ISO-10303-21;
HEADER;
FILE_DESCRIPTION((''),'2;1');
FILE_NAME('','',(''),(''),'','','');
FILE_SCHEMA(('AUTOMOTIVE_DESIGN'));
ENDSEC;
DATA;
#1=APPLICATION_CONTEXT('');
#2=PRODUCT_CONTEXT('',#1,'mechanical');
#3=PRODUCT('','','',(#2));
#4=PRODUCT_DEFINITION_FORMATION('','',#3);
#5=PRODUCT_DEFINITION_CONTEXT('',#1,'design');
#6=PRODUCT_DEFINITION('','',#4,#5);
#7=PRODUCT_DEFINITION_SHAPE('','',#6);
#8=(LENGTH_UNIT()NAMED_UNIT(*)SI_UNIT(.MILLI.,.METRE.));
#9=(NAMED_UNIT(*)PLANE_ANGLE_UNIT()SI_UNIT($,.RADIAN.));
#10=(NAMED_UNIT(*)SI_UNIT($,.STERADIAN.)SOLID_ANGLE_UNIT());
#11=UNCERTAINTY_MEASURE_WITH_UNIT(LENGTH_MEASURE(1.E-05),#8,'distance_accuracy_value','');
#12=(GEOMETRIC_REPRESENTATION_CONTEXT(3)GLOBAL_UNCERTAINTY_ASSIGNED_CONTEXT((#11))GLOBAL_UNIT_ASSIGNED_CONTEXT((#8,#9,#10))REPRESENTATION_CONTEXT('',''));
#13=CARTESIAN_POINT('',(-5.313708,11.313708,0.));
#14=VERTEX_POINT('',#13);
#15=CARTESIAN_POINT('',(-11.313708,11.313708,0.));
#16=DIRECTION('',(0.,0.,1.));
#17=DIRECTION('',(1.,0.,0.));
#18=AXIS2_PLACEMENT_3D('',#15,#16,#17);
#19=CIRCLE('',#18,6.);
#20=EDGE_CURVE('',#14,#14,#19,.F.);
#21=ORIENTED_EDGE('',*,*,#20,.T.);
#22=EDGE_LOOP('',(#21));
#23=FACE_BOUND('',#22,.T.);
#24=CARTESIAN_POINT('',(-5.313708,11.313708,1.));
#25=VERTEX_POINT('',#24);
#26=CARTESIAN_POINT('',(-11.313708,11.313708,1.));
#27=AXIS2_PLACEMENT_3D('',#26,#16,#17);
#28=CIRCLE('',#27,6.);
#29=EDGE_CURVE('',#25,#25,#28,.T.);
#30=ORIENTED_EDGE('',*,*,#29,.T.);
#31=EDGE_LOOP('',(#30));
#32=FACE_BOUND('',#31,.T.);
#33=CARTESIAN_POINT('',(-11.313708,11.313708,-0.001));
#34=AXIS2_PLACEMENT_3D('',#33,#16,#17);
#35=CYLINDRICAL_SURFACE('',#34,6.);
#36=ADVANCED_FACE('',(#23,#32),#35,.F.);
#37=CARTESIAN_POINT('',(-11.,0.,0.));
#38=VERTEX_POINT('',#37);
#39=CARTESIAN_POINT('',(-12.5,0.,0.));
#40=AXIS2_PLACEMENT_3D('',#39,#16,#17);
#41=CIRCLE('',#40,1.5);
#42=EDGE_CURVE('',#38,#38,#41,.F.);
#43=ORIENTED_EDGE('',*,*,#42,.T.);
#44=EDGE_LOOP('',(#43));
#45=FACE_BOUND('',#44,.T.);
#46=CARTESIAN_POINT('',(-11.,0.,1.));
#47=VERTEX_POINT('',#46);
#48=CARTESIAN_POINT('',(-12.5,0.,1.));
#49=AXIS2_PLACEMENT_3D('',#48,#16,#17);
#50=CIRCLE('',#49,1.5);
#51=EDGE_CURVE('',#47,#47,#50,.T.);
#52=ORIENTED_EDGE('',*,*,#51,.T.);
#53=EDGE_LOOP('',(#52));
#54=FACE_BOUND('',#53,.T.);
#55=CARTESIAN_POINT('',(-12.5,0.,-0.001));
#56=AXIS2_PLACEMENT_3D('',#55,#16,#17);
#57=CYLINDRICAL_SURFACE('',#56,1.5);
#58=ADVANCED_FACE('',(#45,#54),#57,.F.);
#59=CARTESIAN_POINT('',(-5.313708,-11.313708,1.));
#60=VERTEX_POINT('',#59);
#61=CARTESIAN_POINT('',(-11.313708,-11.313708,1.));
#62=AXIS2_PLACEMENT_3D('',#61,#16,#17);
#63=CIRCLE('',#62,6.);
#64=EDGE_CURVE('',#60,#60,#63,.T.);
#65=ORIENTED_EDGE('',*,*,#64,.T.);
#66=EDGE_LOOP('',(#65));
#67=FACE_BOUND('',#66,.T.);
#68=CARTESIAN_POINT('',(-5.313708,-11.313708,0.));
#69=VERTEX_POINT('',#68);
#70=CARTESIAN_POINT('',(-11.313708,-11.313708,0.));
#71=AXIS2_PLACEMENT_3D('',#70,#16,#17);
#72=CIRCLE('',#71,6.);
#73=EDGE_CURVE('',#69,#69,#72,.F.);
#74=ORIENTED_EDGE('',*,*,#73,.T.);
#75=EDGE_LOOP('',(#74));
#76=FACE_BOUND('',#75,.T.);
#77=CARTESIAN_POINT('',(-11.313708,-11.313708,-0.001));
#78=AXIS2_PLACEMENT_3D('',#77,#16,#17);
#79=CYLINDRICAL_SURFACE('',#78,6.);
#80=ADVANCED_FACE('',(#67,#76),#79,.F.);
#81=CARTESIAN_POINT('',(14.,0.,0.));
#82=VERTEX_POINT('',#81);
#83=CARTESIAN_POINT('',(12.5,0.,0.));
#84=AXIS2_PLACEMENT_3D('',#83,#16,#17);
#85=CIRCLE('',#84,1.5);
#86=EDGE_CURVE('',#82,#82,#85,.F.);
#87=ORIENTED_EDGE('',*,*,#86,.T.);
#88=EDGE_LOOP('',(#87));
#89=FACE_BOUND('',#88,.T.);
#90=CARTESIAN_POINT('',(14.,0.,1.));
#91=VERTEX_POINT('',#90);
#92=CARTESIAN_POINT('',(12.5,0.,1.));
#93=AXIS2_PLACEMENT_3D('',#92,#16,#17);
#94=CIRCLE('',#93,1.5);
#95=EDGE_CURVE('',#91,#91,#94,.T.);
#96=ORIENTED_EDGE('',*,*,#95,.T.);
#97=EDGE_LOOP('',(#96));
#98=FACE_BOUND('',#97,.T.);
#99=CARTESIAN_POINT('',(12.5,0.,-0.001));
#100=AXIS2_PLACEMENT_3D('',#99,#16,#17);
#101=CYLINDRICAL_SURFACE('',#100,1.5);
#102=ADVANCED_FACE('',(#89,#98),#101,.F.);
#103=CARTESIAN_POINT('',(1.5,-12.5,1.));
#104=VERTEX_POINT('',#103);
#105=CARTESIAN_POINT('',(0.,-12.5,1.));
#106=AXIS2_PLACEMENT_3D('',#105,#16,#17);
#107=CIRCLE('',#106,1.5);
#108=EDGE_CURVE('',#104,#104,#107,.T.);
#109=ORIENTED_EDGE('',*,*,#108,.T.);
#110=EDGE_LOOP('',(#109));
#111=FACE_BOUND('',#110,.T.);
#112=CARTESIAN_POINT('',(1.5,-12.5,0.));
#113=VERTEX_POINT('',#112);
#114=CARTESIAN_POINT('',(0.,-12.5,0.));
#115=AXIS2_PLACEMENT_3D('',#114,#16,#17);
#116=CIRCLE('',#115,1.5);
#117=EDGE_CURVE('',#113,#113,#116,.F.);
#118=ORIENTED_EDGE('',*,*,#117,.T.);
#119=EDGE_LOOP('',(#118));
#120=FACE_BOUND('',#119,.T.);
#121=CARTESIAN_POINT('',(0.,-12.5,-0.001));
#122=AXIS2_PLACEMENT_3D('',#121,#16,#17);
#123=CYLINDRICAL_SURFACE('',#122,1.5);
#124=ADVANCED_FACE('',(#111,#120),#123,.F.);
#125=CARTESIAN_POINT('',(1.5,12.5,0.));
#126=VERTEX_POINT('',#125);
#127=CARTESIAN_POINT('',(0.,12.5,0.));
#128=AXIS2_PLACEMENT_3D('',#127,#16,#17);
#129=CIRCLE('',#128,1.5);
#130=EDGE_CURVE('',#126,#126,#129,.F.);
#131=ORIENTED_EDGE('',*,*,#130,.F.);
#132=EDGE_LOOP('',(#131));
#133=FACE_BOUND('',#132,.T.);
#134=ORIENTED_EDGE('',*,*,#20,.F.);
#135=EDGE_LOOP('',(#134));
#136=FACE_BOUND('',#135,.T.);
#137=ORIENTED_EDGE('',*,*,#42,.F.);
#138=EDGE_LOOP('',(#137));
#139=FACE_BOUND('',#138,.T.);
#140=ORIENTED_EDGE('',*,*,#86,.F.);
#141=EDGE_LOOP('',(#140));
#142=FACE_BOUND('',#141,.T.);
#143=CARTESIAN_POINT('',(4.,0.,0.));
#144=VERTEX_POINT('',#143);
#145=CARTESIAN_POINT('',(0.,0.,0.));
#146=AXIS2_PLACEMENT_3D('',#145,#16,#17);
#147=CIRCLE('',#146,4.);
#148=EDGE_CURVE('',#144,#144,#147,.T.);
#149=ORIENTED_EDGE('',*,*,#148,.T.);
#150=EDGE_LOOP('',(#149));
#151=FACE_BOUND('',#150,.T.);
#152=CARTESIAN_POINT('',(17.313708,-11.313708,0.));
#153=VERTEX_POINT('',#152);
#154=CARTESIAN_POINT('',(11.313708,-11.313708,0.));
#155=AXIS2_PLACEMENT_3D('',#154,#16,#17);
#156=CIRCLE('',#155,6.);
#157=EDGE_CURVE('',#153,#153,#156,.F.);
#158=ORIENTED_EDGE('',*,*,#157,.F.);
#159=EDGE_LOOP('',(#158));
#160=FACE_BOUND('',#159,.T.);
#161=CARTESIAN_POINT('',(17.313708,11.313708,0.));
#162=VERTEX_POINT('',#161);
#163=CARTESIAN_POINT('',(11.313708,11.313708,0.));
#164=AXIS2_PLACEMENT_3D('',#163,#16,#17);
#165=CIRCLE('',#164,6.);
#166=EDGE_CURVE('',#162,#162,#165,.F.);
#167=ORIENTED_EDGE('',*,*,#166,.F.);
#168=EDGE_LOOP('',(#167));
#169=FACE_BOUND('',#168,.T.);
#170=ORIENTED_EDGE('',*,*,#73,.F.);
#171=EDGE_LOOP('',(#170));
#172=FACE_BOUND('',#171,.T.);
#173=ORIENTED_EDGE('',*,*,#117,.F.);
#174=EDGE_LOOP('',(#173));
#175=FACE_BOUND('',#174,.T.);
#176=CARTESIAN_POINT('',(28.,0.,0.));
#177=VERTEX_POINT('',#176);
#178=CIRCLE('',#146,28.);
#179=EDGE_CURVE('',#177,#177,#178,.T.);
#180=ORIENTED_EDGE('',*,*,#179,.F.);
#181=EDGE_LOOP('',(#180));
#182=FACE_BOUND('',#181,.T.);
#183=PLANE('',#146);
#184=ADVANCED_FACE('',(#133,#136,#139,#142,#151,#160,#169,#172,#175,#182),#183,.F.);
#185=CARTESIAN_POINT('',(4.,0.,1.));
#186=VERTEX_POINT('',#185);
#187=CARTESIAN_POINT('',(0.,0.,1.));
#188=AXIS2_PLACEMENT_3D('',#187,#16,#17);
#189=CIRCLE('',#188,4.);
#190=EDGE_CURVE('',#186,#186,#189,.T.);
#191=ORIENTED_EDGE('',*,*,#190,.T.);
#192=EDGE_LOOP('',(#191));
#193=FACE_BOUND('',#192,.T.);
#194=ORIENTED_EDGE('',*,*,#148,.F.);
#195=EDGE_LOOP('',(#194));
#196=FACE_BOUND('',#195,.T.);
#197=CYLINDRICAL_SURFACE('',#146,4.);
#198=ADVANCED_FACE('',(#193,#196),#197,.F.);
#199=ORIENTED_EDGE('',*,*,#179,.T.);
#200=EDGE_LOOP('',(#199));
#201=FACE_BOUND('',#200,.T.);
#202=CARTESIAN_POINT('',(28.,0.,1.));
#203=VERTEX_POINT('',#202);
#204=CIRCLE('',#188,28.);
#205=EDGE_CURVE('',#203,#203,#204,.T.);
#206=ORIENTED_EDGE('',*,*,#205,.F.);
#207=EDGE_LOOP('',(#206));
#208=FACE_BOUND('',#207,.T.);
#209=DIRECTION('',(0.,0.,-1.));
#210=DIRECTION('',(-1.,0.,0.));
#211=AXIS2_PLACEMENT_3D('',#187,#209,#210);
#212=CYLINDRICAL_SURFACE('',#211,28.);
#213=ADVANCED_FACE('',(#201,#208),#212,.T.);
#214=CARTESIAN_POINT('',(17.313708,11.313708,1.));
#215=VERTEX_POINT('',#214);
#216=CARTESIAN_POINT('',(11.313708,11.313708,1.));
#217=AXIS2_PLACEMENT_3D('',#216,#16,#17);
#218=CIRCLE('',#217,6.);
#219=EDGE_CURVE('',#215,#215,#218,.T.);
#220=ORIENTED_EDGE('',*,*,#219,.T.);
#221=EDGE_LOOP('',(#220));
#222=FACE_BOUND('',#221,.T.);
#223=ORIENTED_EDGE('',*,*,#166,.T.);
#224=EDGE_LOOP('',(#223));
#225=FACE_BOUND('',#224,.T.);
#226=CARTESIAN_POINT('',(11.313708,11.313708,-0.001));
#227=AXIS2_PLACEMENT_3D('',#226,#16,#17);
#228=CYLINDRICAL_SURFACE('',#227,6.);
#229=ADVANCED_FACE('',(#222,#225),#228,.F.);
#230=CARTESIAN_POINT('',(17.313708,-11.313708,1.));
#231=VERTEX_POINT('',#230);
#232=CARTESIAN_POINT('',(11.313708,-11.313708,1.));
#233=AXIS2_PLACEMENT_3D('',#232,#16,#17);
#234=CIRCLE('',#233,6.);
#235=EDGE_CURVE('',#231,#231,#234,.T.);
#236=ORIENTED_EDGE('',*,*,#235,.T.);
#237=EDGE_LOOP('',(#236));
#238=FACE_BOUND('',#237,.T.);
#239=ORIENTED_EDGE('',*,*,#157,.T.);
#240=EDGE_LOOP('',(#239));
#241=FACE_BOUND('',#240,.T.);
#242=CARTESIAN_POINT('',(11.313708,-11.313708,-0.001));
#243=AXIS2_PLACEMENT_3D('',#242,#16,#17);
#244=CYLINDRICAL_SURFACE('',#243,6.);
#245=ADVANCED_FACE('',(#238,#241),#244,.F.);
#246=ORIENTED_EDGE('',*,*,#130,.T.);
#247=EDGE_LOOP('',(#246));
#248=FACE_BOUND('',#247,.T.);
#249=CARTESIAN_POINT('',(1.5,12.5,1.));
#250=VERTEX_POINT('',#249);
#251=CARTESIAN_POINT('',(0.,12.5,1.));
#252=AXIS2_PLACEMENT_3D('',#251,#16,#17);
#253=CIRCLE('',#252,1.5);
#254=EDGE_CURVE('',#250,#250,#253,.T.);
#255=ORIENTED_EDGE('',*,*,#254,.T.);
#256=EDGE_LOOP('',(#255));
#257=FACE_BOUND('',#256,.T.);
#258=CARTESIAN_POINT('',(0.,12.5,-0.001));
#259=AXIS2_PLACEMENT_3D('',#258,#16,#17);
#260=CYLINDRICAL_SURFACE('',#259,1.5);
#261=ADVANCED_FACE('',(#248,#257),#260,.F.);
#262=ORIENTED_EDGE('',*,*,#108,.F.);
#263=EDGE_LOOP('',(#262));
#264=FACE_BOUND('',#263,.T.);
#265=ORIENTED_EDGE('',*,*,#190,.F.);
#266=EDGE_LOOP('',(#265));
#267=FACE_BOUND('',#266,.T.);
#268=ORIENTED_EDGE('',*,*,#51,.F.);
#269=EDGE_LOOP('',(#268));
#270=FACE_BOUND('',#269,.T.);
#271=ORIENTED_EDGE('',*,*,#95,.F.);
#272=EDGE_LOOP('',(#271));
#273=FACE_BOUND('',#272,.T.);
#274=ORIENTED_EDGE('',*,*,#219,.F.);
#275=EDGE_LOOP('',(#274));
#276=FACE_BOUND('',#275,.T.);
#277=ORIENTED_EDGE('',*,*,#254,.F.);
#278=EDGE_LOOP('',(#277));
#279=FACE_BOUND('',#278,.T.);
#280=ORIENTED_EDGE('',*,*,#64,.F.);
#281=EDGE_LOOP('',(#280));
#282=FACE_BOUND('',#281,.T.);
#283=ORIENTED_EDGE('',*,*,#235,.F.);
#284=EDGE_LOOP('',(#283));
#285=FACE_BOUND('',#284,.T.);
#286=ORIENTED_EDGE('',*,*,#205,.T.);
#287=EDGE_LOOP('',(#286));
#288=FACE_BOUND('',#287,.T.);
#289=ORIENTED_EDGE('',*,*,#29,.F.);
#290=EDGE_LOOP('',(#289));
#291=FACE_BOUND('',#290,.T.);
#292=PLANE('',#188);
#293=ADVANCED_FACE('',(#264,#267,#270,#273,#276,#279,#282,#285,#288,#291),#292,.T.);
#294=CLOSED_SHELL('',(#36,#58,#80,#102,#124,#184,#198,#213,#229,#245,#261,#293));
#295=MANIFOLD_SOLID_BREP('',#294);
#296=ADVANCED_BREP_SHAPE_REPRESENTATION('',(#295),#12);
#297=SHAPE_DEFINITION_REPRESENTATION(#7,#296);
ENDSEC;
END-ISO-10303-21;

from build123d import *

# Parameters (mm, degrees)
SKETCH_1_R          = 28
EXTRUDE_1_DEPTH     = 1
SKETCH_2_R          = 4
CUT_EXTRUDE_1_DEPTH = 1
CUT_EXTRUDE_2_REACH = 41.611
SKETCH_3_R          = 1.5
CUT_EXTRUDE_3_REACH = 41.611
SKETCH_4_R          = 6


with BuildPart() as part:
    # 草图1 → 凸台-拉伸1 (new body)
    with BuildSketch(Plane.XY):
        Circle(SKETCH_1_R)
    extrude(amount=EXTRUDE_1_DEPTH)

    # 草图2 → 切除-拉伸1 (cut)
    with BuildSketch(Plane.XY.offset(1)):
        Circle(SKETCH_2_R)
    extrude(amount=-CUT_EXTRUDE_1_DEPTH, mode=Mode.SUBTRACT)

    # 草图3 → 切除-拉伸2 (cut, up to next)
    with BuildSketch(Plane.XY.offset(1), mode=Mode.PRIVATE) as cut_extrude_2_sk1:
        with Locations((0, 12.5)):
            Circle(SKETCH_3_R)
    cut_extrude_2_tool1 = extrude(cut_extrude_2_sk1.sketch, amount=-CUT_EXTRUDE_2_REACH, mode=Mode.PRIVATE) & part.part
    # 草图3 → 切除-拉伸2 (cut, up to next)
    with BuildSketch(Plane.XY.offset(1), mode=Mode.PRIVATE) as cut_extrude_2_sk2:
        with Locations((0, -12.5)):
            Circle(SKETCH_3_R)
    cut_extrude_2_tool2 = extrude(cut_extrude_2_sk2.sketch, amount=-CUT_EXTRUDE_2_REACH, mode=Mode.PRIVATE) & part.part
    # 草图3 → 切除-拉伸2 (cut, up to next)
    with BuildSketch(Plane.XY.offset(1), mode=Mode.PRIVATE) as cut_extrude_2_sk3:
        with Locations((12.5, 0)):
            Circle(SKETCH_3_R)
    cut_extrude_2_tool3 = extrude(cut_extrude_2_sk3.sketch, amount=-CUT_EXTRUDE_2_REACH, mode=Mode.PRIVATE) & part.part
    # 草图3 → 切除-拉伸2 (cut, up to next)
    with BuildSketch(Plane.XY.offset(1), mode=Mode.PRIVATE) as cut_extrude_2_sk4:
        with Locations((-12.5, 0)):
            Circle(SKETCH_3_R)
    cut_extrude_2_tool4 = extrude(cut_extrude_2_sk4.sketch, amount=-CUT_EXTRUDE_2_REACH, mode=Mode.PRIVATE) & part.part
    add(cut_extrude_2_tool1.solids().sort_by_distance((0, 12.5, 1))[0], mode=Mode.SUBTRACT)
    add(cut_extrude_2_tool2.solids().sort_by_distance((0, -12.5, 1))[0], mode=Mode.SUBTRACT)
    add(cut_extrude_2_tool3.solids().sort_by_distance((12.5, 0, 1))[0], mode=Mode.SUBTRACT)
    add(cut_extrude_2_tool4.solids().sort_by_distance((-12.5, 0, 1))[0], mode=Mode.SUBTRACT)

    # 草图4 → 切除-拉伸3 (cut, up to next)
    with BuildSketch(Plane.XY.offset(1), mode=Mode.PRIVATE) as cut_extrude_3_sk1:
        with Locations((11.313708499, -11.313708499)):
            Circle(SKETCH_4_R)
    cut_extrude_3_tool1 = extrude(cut_extrude_3_sk1.sketch, amount=-CUT_EXTRUDE_3_REACH, mode=Mode.PRIVATE) & part.part
    # 草图4 → 切除-拉伸3 (cut, up to next)
    with BuildSketch(Plane.XY.offset(1), mode=Mode.PRIVATE) as cut_extrude_3_sk2:
        with Locations((-11.313708499, -11.313708499)):
            Circle(SKETCH_4_R)
    cut_extrude_3_tool2 = extrude(cut_extrude_3_sk2.sketch, amount=-CUT_EXTRUDE_3_REACH, mode=Mode.PRIVATE) & part.part
    # 草图4 → 切除-拉伸3 (cut, up to next)
    with BuildSketch(Plane.XY.offset(1), mode=Mode.PRIVATE) as cut_extrude_3_sk3:
        with Locations((-11.313708499, 11.313708499)):
            Circle(SKETCH_4_R)
    cut_extrude_3_tool3 = extrude(cut_extrude_3_sk3.sketch, amount=-CUT_EXTRUDE_3_REACH, mode=Mode.PRIVATE) & part.part
    # 草图4 → 切除-拉伸3 (cut, up to next)
    with BuildSketch(Plane.XY.offset(1), mode=Mode.PRIVATE) as cut_extrude_3_sk4:
        with Locations((11.313708499, 11.313708499)):
            Circle(SKETCH_4_R)
    cut_extrude_3_tool4 = extrude(cut_extrude_3_sk4.sketch, amount=-CUT_EXTRUDE_3_REACH, mode=Mode.PRIVATE) & part.part
    add(cut_extrude_3_tool1.solids().sort_by_distance((11.313708, -11.313708, 1))[0], mode=Mode.SUBTRACT)
    add(cut_extrude_3_tool2.solids().sort_by_distance((-11.313708, -11.313708, 1))[0], mode=Mode.SUBTRACT)
    add(cut_extrude_3_tool3.solids().sort_by_distance((-11.313708, 11.313708, 1))[0], mode=Mode.SUBTRACT)
    add(cut_extrude_3_tool4.solids().sort_by_distance((11.313708, 11.313708, 1))[0], mode=Mode.SUBTRACT)


solid = part.part
